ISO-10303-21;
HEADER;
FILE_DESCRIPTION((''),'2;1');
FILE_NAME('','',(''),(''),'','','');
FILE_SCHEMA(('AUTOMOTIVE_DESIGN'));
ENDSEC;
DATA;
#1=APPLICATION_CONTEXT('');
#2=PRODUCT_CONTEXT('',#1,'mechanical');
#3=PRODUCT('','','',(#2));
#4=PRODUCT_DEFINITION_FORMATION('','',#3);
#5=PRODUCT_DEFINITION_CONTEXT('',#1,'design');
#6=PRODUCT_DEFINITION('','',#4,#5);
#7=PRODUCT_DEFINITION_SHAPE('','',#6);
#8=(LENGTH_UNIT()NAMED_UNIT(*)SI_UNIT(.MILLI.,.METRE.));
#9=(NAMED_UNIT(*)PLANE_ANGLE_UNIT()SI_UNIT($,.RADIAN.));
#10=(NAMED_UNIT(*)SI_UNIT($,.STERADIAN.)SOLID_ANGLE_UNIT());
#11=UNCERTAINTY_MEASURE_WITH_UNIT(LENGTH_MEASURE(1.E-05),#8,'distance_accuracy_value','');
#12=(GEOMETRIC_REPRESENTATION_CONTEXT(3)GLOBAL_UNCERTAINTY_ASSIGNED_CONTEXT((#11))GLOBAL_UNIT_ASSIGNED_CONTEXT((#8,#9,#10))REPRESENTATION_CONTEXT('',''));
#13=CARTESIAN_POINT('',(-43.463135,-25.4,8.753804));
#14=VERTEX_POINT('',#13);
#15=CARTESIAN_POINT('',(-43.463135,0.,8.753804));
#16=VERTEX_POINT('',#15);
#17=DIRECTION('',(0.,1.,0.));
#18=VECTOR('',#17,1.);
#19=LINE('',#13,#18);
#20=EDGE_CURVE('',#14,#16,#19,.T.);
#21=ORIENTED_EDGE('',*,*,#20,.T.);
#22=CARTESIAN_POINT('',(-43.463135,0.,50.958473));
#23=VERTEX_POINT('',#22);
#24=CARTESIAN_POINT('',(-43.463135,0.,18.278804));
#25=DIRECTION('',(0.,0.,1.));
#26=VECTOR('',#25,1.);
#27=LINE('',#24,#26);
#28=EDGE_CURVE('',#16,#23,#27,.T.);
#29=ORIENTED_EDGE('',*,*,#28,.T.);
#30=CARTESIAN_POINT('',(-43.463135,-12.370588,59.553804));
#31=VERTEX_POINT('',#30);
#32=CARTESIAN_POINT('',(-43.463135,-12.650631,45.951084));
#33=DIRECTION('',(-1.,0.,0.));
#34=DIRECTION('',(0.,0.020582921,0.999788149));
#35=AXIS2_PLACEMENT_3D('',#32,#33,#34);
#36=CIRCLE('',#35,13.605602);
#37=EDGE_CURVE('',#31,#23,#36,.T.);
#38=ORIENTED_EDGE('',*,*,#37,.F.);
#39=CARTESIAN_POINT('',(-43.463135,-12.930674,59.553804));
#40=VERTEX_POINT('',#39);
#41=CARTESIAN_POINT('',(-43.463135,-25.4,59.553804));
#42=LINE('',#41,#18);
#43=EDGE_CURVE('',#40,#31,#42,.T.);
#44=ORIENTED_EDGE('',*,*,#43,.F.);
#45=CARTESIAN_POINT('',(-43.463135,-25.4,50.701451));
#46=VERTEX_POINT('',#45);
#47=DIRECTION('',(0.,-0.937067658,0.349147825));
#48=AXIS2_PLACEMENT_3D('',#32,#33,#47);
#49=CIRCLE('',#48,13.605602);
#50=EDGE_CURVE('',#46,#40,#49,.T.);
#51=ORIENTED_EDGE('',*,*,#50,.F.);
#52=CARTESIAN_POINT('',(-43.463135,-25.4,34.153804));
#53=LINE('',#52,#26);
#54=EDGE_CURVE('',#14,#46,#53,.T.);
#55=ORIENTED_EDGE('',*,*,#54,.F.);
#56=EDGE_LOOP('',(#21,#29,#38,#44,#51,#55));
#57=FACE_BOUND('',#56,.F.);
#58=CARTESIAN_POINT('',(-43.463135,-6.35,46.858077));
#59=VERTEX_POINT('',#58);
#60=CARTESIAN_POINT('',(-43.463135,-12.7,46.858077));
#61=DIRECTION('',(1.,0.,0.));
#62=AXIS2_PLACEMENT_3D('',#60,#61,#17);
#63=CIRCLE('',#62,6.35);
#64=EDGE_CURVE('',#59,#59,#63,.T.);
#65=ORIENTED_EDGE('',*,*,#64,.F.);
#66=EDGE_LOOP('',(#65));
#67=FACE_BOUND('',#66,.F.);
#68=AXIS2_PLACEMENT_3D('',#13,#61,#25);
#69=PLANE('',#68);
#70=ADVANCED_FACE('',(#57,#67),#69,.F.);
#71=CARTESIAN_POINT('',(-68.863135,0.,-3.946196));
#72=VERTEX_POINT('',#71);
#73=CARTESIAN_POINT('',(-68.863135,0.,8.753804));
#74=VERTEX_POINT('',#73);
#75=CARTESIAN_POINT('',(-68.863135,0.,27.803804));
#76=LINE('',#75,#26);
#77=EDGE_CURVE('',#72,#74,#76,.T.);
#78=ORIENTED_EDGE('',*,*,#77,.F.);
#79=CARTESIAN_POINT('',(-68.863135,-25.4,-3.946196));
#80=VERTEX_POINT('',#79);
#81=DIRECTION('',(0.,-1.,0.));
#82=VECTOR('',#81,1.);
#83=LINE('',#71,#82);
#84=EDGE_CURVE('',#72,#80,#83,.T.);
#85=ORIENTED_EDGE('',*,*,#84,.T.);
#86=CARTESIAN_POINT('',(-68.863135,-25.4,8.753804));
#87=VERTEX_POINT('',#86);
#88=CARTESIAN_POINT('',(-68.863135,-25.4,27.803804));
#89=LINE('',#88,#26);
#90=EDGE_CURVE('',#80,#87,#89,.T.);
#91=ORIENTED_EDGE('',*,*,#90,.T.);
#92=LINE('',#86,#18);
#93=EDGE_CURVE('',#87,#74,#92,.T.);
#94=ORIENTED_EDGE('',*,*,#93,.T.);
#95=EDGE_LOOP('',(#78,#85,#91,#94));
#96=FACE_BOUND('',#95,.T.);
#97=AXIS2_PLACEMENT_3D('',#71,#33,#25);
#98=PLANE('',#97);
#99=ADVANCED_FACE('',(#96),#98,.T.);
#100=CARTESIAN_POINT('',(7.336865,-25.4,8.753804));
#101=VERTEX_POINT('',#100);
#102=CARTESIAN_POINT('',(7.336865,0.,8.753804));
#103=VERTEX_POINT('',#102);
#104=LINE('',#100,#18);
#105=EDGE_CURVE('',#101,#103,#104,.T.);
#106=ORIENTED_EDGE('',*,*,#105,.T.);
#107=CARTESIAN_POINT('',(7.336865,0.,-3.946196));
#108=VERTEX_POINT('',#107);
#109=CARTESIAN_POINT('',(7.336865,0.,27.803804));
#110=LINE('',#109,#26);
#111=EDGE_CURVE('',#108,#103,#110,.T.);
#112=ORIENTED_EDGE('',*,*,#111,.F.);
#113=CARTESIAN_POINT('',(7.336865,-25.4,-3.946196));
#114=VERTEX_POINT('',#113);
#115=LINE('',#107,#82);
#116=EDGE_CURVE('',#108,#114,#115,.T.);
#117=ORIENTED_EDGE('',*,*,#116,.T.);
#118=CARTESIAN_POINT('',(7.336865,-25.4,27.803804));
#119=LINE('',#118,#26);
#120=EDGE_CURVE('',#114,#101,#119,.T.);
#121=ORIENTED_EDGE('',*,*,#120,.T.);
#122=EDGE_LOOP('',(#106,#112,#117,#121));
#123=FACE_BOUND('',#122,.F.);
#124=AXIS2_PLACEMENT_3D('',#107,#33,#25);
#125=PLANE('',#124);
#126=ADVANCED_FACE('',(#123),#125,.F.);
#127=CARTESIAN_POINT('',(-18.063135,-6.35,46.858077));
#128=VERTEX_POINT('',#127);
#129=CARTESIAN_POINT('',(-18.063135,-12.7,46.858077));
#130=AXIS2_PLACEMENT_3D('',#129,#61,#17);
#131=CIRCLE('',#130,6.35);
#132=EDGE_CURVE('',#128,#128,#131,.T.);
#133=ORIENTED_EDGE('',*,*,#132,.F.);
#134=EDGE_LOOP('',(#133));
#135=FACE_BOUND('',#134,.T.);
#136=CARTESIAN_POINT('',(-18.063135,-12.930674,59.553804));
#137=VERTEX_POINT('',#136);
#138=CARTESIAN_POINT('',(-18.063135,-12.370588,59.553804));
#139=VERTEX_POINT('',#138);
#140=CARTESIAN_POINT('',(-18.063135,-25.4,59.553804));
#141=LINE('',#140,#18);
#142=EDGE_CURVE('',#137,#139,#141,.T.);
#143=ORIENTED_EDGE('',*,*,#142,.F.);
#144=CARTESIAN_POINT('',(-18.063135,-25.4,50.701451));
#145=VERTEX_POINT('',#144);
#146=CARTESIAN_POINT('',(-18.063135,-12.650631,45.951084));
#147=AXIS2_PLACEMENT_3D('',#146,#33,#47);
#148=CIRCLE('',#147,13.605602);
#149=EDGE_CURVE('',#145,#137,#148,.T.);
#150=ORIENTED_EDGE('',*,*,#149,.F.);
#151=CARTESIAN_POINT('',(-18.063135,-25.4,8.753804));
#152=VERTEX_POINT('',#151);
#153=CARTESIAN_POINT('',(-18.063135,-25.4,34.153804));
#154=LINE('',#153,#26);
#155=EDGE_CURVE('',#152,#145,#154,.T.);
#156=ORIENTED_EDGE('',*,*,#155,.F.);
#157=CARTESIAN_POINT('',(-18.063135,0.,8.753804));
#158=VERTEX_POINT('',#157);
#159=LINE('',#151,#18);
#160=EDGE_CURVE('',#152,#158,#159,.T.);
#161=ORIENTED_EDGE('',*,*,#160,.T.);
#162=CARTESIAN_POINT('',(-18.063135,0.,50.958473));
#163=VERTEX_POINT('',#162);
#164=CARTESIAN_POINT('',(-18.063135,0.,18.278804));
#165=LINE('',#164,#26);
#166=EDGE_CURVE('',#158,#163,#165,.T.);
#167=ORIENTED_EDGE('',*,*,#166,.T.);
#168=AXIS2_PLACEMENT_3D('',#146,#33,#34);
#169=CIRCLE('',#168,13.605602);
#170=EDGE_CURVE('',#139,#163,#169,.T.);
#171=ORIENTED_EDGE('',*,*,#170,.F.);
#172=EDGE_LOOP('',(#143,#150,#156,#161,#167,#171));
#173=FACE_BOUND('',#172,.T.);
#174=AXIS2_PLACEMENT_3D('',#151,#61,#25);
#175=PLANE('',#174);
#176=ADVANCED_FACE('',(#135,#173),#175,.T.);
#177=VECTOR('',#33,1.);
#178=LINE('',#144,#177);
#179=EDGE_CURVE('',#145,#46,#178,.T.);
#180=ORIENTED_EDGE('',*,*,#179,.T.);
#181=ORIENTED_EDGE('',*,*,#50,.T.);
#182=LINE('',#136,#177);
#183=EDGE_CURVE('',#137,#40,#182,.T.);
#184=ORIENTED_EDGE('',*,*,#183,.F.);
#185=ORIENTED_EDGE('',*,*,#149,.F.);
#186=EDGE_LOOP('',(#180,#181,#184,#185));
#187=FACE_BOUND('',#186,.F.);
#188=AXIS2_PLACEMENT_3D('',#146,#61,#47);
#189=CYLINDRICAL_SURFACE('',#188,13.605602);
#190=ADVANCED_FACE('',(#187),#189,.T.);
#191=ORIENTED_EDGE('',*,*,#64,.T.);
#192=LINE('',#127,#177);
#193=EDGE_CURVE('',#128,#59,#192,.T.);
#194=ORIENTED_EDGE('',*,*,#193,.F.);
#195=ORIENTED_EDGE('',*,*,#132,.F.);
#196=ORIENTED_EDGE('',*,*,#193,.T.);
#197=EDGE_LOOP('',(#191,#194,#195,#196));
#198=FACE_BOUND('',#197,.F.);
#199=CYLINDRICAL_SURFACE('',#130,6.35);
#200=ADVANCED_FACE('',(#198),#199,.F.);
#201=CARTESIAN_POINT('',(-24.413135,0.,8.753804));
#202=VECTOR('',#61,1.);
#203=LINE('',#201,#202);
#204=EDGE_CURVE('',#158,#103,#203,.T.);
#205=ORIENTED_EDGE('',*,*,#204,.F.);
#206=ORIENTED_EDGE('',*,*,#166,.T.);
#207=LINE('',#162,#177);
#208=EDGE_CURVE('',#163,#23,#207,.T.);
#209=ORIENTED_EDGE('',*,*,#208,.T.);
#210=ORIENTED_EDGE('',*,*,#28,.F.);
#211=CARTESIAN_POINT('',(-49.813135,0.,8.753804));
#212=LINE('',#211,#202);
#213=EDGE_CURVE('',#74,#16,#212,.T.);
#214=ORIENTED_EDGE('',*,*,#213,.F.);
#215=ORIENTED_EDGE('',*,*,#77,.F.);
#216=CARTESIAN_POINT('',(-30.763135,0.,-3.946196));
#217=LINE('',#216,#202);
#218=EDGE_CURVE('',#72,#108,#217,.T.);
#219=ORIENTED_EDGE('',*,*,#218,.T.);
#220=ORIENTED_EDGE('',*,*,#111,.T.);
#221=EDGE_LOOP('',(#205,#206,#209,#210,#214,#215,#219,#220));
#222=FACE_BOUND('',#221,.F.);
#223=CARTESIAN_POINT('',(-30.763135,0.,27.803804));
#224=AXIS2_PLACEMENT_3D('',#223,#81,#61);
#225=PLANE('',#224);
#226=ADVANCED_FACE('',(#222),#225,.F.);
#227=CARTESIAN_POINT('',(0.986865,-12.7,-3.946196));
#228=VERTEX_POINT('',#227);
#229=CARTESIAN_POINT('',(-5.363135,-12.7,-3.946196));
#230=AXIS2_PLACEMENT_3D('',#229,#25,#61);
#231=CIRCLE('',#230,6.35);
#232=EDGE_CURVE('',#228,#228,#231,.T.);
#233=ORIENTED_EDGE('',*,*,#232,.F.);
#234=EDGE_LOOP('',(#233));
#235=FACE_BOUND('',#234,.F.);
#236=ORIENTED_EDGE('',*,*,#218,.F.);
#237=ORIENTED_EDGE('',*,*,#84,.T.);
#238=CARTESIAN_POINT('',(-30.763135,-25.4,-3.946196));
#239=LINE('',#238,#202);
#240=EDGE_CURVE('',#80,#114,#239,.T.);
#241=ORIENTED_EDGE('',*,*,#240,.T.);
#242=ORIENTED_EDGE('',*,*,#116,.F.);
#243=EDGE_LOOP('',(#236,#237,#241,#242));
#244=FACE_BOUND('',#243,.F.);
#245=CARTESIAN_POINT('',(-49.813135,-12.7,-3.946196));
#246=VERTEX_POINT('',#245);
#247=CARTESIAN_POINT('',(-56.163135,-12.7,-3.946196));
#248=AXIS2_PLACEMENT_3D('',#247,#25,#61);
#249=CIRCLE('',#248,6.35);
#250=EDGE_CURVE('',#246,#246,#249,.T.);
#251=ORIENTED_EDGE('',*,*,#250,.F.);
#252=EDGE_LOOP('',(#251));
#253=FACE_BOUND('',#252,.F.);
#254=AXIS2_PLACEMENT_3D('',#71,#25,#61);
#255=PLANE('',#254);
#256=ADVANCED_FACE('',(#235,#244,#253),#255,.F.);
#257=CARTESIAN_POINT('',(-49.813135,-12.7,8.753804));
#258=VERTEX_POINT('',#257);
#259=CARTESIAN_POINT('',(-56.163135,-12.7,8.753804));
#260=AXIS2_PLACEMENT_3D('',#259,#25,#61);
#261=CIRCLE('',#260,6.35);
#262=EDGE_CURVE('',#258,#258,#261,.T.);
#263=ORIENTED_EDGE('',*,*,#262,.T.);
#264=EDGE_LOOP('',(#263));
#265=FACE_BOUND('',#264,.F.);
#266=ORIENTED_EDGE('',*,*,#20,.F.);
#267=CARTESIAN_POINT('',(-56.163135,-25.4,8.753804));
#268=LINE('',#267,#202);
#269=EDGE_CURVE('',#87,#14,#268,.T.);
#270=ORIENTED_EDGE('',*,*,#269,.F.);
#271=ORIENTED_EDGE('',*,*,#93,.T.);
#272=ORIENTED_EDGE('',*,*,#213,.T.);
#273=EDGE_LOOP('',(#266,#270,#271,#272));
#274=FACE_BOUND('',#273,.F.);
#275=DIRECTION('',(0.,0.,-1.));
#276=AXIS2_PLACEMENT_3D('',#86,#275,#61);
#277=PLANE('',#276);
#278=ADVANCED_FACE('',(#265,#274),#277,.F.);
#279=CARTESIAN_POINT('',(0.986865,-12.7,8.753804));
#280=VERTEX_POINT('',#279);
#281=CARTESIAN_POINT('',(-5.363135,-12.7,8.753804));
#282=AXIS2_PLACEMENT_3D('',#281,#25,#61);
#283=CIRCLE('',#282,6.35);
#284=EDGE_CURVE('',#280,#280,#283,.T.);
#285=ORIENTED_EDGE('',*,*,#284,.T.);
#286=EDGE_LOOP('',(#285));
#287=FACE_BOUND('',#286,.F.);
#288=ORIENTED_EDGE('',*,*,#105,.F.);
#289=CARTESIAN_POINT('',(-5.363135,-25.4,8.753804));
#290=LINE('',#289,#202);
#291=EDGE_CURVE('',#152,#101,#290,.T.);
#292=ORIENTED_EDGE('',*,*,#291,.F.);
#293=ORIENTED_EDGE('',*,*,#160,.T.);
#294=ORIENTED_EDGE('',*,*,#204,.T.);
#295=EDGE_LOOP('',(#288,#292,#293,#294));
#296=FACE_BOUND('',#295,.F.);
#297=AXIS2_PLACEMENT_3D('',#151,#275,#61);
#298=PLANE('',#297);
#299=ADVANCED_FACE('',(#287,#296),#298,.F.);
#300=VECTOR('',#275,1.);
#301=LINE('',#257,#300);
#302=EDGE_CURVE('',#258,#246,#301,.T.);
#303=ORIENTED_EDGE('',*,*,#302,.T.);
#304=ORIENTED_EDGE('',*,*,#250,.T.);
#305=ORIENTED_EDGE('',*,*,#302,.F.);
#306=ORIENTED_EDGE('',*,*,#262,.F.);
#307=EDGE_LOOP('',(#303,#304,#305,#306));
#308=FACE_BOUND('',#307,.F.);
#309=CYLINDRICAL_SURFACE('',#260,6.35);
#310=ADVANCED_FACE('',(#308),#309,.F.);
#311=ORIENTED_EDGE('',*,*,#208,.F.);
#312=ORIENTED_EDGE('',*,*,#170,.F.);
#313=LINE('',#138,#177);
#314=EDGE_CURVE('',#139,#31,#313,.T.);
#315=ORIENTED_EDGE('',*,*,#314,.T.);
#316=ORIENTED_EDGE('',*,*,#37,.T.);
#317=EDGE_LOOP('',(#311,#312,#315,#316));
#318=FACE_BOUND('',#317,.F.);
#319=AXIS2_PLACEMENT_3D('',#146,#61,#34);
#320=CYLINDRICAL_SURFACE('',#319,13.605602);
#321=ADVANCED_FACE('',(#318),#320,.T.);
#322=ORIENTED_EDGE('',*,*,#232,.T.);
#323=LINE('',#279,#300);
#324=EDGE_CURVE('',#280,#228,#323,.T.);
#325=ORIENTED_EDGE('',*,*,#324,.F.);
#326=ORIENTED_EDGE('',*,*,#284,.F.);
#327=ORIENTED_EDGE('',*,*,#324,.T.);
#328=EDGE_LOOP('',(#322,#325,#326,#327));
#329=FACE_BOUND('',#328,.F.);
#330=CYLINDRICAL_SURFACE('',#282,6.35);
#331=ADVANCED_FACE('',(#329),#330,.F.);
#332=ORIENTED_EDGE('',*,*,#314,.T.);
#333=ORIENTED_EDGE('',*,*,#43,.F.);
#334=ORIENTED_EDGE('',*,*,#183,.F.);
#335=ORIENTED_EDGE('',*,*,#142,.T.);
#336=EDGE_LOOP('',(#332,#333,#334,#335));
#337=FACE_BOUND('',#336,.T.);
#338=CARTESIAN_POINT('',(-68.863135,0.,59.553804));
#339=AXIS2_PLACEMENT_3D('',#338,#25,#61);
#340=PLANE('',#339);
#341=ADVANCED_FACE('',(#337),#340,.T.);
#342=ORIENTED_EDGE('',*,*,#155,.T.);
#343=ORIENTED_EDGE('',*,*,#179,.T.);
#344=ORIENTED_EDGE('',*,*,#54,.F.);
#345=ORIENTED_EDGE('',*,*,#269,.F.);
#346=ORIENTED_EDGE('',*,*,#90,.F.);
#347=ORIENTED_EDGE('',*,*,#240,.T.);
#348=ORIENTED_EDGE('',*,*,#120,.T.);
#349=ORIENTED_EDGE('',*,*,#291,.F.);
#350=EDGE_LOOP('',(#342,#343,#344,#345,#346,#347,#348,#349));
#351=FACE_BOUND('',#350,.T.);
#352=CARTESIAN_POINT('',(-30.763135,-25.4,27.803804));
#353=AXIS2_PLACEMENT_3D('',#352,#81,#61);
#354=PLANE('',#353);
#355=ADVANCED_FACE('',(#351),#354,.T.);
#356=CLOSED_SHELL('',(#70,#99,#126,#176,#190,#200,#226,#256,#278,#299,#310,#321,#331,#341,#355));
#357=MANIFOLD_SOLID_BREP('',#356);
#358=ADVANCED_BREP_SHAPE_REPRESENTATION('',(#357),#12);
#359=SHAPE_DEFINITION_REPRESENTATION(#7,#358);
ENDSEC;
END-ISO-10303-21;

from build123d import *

# Parameters (mm, degrees)
F0_W      = 76.2
F0_H      = 63.5
F1_DEPTH  = 25.4
F2_W      = 25.4
F2_H      = 50.8
F3_DEPTH  = 25.401
F7_DEPTH  = 25.4
F5_R      = 6.35
F4_R      = 6.35
F8_DEPTH  = 25.4
F9_R      = 6.35
F10_DEPTH = 50.801


with BuildPart() as f1:
    # F0 (on Front) → F1 (new body)
    with BuildSketch(Plane.XZ):
        with Locations((-30.763134826, 27.8038036936)):
            Rectangle(F0_W, F0_H)
    extrude(amount=F1_DEPTH)

    # F2 (on face) → F3 (cut, through all)
    with BuildSketch(Plane.XZ.offset(25.4)):
        with Locations((-56.163134826, 34.1538036936)):
            Rectangle(F2_W, F2_H)
        with Locations((-5.363134826, 34.1538036936)):
            Rectangle(F2_W, F2_H)
    extrude(amount=-F3_DEPTH, mode=Mode.SUBTRACT)

    # F6 (on face) → F7 (cut)
    with BuildSketch(Plane.YZ.offset(-18.063134826)):
        with BuildLine():
            ThreePointArc((-25.4, 50.7014505565), (-20.5266979075, 57.0452252376), (-12.9306736435, 59.5538036936))
            Line((-12.9306736435, 59.5538036936), (-25.4, 59.5538036936))
            Line((-25.4, 59.5538036936), (-25.4, 50.7014505565))
        make_face()
        with BuildLine():
            ThreePointArc((-12.3705876013, 59.5538036936), (-4.8872224378, 57.1243511626), (0, 50.9584732354))
            Line((0, 50.9584732354), (0, 59.5538036936))
            Line((0, 59.5538036936), (-12.3705876013, 59.5538036936))
        make_face()
    extrude(amount=-F7_DEPTH, mode=Mode.SUBTRACT)

    # F5 (on face) + F4 (on face) → F8 (cut)
    with BuildSketch(Plane.XY.offset(8.7538036936)):
        with Locations((-5.363134826, -12.7)):
            Circle(F5_R)
    with BuildSketch(Plane.XY.offset(8.7538036936)):
        with Locations((-56.163134826, -12.7)):
            Circle(F4_R)
    extrude(amount=-F8_DEPTH, mode=Mode.SUBTRACT)

    # F9 (on face) → F10 (cut, through all)
    with BuildSketch(Plane.YZ.offset(-18.063134826)):
        with Locations((-12.7, 46.8580765592)):
            Circle(F9_R)
    extrude(amount=-F10_DEPTH, mode=Mode.SUBTRACT)


solid = f1.part
